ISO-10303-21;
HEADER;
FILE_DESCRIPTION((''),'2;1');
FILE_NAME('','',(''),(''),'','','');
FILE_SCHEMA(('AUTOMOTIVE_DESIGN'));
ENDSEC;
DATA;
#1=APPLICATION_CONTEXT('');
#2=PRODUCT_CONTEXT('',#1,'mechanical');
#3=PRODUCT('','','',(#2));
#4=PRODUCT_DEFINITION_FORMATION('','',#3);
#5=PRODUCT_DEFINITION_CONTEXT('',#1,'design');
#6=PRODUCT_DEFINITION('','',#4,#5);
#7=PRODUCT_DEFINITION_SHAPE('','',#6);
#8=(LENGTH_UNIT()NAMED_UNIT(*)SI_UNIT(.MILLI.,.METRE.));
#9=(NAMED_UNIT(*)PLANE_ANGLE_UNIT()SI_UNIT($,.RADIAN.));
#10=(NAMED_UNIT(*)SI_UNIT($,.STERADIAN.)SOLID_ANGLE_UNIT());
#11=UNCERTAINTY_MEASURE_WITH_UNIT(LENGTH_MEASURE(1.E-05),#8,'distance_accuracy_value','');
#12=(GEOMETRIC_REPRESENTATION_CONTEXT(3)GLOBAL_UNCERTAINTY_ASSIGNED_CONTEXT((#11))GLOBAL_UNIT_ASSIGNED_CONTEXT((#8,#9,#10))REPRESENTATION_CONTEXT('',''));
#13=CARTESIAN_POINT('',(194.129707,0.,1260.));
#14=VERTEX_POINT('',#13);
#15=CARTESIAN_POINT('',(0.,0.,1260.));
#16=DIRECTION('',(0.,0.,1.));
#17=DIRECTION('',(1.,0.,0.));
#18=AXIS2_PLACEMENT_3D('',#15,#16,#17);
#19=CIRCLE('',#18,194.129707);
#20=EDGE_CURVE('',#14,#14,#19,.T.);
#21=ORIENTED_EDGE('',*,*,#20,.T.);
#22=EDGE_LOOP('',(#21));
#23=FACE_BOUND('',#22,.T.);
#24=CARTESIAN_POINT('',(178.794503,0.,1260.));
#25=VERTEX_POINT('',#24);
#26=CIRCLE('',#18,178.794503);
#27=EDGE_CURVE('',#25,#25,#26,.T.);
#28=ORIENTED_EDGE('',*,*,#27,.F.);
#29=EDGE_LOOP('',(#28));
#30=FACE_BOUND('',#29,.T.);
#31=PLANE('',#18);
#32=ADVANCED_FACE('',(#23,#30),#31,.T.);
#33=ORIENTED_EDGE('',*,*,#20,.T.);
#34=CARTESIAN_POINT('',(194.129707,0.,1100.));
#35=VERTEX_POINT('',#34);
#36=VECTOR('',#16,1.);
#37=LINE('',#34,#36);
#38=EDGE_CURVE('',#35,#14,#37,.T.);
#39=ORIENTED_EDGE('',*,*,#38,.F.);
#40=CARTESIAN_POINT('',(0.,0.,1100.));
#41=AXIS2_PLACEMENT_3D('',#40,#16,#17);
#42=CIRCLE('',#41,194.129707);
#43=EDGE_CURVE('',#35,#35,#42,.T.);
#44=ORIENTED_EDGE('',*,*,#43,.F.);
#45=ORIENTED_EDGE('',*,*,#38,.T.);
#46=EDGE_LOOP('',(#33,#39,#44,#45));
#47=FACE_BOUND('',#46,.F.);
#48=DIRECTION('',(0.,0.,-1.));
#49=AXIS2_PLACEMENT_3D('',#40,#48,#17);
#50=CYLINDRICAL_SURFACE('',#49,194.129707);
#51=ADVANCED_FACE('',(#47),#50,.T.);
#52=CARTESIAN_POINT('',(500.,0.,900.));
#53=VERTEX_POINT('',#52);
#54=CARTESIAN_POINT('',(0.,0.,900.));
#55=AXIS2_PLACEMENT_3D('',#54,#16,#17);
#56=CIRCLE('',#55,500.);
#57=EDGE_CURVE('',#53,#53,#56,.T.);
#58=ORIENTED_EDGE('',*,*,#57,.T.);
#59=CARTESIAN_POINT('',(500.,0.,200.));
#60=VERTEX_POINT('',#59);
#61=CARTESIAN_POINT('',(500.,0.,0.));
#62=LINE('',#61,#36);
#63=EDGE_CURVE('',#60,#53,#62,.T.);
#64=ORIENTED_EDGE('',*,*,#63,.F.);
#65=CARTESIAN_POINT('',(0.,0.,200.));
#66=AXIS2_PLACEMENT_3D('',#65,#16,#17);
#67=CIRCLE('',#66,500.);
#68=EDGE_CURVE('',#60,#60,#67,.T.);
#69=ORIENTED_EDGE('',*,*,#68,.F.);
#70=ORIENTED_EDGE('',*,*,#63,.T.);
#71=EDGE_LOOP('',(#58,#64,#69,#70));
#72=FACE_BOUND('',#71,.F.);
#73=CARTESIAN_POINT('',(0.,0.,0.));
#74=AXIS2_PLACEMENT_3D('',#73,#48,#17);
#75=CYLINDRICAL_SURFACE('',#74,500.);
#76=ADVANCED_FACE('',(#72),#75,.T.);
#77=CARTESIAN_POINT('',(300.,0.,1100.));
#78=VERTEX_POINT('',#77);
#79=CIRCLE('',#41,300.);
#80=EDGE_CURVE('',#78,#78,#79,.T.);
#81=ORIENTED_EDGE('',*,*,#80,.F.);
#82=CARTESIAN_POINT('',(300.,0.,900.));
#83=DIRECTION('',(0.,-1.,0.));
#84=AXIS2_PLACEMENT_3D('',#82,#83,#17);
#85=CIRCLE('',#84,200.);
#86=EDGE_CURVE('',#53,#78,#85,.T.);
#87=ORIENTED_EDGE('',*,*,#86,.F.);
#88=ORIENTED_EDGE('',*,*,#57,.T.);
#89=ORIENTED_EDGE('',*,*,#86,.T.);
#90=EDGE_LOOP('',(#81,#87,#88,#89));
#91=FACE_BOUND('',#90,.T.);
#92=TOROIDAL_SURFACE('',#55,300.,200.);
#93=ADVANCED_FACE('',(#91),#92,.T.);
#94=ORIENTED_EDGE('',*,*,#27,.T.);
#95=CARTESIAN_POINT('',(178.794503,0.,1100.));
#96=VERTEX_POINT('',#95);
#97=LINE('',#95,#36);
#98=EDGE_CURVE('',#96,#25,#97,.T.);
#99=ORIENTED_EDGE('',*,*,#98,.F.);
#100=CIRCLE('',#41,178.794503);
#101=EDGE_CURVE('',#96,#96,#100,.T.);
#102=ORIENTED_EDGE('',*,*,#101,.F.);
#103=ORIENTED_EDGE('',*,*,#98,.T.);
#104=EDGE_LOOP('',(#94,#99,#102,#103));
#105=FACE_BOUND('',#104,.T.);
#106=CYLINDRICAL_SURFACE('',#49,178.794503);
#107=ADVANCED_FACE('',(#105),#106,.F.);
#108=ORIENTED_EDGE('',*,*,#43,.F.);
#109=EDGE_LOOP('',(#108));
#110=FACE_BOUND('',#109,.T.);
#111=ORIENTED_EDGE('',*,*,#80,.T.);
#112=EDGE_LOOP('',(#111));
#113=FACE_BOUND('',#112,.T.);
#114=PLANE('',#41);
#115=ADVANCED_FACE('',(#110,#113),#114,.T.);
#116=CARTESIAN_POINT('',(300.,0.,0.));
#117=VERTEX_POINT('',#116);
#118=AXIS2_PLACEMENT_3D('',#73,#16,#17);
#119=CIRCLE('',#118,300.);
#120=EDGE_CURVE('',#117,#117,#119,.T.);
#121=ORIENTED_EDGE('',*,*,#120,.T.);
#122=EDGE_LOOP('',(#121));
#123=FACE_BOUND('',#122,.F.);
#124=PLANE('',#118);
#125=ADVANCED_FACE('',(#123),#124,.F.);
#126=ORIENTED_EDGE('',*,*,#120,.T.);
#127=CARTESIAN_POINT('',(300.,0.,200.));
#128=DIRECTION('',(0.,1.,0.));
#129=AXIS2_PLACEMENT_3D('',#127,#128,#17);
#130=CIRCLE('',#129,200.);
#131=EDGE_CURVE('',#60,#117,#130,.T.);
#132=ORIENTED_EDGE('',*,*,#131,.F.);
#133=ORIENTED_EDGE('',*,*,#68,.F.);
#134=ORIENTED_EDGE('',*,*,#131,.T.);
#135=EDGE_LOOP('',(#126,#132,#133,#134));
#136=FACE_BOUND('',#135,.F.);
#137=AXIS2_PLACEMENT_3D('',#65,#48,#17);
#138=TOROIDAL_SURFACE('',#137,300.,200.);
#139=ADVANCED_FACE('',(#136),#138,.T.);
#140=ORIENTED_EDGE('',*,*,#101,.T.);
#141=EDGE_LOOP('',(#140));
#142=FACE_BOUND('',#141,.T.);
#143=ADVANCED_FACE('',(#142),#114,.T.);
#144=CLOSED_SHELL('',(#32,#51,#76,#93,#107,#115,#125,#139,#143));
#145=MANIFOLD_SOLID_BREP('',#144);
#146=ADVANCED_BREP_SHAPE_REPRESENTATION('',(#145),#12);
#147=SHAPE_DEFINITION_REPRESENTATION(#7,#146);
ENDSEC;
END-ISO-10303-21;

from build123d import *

# Parameters (mm, degrees)
F0_R     = 500
F1_DEPTH = 1100
F2_R     = 200
F3_R     = 194.129707
F3_R_2   = 178.794503
F4_DEPTH = 160


with BuildPart() as f1:
    # F0 (on Top) → F1 (new body)
    with BuildSketch(Plane.XY):
        Circle(F0_R)
    extrude(amount=F1_DEPTH)

    # F2
    f2_edges = [f1.edges().sort_by_distance(p)[0] for p in [
        (-500, 0, 0),
        (-500, 0, 1100),
    ]]
    fillet(f2_edges, radius=F2_R)

    # F3 (on face) → F4 (join)
    with BuildSketch(Plane.XY.offset(1100)):
        Circle(F3_R)
        Circle(F3_R_2, mode=Mode.SUBTRACT)
    extrude(amount=F4_DEPTH)


solid = f1.part
